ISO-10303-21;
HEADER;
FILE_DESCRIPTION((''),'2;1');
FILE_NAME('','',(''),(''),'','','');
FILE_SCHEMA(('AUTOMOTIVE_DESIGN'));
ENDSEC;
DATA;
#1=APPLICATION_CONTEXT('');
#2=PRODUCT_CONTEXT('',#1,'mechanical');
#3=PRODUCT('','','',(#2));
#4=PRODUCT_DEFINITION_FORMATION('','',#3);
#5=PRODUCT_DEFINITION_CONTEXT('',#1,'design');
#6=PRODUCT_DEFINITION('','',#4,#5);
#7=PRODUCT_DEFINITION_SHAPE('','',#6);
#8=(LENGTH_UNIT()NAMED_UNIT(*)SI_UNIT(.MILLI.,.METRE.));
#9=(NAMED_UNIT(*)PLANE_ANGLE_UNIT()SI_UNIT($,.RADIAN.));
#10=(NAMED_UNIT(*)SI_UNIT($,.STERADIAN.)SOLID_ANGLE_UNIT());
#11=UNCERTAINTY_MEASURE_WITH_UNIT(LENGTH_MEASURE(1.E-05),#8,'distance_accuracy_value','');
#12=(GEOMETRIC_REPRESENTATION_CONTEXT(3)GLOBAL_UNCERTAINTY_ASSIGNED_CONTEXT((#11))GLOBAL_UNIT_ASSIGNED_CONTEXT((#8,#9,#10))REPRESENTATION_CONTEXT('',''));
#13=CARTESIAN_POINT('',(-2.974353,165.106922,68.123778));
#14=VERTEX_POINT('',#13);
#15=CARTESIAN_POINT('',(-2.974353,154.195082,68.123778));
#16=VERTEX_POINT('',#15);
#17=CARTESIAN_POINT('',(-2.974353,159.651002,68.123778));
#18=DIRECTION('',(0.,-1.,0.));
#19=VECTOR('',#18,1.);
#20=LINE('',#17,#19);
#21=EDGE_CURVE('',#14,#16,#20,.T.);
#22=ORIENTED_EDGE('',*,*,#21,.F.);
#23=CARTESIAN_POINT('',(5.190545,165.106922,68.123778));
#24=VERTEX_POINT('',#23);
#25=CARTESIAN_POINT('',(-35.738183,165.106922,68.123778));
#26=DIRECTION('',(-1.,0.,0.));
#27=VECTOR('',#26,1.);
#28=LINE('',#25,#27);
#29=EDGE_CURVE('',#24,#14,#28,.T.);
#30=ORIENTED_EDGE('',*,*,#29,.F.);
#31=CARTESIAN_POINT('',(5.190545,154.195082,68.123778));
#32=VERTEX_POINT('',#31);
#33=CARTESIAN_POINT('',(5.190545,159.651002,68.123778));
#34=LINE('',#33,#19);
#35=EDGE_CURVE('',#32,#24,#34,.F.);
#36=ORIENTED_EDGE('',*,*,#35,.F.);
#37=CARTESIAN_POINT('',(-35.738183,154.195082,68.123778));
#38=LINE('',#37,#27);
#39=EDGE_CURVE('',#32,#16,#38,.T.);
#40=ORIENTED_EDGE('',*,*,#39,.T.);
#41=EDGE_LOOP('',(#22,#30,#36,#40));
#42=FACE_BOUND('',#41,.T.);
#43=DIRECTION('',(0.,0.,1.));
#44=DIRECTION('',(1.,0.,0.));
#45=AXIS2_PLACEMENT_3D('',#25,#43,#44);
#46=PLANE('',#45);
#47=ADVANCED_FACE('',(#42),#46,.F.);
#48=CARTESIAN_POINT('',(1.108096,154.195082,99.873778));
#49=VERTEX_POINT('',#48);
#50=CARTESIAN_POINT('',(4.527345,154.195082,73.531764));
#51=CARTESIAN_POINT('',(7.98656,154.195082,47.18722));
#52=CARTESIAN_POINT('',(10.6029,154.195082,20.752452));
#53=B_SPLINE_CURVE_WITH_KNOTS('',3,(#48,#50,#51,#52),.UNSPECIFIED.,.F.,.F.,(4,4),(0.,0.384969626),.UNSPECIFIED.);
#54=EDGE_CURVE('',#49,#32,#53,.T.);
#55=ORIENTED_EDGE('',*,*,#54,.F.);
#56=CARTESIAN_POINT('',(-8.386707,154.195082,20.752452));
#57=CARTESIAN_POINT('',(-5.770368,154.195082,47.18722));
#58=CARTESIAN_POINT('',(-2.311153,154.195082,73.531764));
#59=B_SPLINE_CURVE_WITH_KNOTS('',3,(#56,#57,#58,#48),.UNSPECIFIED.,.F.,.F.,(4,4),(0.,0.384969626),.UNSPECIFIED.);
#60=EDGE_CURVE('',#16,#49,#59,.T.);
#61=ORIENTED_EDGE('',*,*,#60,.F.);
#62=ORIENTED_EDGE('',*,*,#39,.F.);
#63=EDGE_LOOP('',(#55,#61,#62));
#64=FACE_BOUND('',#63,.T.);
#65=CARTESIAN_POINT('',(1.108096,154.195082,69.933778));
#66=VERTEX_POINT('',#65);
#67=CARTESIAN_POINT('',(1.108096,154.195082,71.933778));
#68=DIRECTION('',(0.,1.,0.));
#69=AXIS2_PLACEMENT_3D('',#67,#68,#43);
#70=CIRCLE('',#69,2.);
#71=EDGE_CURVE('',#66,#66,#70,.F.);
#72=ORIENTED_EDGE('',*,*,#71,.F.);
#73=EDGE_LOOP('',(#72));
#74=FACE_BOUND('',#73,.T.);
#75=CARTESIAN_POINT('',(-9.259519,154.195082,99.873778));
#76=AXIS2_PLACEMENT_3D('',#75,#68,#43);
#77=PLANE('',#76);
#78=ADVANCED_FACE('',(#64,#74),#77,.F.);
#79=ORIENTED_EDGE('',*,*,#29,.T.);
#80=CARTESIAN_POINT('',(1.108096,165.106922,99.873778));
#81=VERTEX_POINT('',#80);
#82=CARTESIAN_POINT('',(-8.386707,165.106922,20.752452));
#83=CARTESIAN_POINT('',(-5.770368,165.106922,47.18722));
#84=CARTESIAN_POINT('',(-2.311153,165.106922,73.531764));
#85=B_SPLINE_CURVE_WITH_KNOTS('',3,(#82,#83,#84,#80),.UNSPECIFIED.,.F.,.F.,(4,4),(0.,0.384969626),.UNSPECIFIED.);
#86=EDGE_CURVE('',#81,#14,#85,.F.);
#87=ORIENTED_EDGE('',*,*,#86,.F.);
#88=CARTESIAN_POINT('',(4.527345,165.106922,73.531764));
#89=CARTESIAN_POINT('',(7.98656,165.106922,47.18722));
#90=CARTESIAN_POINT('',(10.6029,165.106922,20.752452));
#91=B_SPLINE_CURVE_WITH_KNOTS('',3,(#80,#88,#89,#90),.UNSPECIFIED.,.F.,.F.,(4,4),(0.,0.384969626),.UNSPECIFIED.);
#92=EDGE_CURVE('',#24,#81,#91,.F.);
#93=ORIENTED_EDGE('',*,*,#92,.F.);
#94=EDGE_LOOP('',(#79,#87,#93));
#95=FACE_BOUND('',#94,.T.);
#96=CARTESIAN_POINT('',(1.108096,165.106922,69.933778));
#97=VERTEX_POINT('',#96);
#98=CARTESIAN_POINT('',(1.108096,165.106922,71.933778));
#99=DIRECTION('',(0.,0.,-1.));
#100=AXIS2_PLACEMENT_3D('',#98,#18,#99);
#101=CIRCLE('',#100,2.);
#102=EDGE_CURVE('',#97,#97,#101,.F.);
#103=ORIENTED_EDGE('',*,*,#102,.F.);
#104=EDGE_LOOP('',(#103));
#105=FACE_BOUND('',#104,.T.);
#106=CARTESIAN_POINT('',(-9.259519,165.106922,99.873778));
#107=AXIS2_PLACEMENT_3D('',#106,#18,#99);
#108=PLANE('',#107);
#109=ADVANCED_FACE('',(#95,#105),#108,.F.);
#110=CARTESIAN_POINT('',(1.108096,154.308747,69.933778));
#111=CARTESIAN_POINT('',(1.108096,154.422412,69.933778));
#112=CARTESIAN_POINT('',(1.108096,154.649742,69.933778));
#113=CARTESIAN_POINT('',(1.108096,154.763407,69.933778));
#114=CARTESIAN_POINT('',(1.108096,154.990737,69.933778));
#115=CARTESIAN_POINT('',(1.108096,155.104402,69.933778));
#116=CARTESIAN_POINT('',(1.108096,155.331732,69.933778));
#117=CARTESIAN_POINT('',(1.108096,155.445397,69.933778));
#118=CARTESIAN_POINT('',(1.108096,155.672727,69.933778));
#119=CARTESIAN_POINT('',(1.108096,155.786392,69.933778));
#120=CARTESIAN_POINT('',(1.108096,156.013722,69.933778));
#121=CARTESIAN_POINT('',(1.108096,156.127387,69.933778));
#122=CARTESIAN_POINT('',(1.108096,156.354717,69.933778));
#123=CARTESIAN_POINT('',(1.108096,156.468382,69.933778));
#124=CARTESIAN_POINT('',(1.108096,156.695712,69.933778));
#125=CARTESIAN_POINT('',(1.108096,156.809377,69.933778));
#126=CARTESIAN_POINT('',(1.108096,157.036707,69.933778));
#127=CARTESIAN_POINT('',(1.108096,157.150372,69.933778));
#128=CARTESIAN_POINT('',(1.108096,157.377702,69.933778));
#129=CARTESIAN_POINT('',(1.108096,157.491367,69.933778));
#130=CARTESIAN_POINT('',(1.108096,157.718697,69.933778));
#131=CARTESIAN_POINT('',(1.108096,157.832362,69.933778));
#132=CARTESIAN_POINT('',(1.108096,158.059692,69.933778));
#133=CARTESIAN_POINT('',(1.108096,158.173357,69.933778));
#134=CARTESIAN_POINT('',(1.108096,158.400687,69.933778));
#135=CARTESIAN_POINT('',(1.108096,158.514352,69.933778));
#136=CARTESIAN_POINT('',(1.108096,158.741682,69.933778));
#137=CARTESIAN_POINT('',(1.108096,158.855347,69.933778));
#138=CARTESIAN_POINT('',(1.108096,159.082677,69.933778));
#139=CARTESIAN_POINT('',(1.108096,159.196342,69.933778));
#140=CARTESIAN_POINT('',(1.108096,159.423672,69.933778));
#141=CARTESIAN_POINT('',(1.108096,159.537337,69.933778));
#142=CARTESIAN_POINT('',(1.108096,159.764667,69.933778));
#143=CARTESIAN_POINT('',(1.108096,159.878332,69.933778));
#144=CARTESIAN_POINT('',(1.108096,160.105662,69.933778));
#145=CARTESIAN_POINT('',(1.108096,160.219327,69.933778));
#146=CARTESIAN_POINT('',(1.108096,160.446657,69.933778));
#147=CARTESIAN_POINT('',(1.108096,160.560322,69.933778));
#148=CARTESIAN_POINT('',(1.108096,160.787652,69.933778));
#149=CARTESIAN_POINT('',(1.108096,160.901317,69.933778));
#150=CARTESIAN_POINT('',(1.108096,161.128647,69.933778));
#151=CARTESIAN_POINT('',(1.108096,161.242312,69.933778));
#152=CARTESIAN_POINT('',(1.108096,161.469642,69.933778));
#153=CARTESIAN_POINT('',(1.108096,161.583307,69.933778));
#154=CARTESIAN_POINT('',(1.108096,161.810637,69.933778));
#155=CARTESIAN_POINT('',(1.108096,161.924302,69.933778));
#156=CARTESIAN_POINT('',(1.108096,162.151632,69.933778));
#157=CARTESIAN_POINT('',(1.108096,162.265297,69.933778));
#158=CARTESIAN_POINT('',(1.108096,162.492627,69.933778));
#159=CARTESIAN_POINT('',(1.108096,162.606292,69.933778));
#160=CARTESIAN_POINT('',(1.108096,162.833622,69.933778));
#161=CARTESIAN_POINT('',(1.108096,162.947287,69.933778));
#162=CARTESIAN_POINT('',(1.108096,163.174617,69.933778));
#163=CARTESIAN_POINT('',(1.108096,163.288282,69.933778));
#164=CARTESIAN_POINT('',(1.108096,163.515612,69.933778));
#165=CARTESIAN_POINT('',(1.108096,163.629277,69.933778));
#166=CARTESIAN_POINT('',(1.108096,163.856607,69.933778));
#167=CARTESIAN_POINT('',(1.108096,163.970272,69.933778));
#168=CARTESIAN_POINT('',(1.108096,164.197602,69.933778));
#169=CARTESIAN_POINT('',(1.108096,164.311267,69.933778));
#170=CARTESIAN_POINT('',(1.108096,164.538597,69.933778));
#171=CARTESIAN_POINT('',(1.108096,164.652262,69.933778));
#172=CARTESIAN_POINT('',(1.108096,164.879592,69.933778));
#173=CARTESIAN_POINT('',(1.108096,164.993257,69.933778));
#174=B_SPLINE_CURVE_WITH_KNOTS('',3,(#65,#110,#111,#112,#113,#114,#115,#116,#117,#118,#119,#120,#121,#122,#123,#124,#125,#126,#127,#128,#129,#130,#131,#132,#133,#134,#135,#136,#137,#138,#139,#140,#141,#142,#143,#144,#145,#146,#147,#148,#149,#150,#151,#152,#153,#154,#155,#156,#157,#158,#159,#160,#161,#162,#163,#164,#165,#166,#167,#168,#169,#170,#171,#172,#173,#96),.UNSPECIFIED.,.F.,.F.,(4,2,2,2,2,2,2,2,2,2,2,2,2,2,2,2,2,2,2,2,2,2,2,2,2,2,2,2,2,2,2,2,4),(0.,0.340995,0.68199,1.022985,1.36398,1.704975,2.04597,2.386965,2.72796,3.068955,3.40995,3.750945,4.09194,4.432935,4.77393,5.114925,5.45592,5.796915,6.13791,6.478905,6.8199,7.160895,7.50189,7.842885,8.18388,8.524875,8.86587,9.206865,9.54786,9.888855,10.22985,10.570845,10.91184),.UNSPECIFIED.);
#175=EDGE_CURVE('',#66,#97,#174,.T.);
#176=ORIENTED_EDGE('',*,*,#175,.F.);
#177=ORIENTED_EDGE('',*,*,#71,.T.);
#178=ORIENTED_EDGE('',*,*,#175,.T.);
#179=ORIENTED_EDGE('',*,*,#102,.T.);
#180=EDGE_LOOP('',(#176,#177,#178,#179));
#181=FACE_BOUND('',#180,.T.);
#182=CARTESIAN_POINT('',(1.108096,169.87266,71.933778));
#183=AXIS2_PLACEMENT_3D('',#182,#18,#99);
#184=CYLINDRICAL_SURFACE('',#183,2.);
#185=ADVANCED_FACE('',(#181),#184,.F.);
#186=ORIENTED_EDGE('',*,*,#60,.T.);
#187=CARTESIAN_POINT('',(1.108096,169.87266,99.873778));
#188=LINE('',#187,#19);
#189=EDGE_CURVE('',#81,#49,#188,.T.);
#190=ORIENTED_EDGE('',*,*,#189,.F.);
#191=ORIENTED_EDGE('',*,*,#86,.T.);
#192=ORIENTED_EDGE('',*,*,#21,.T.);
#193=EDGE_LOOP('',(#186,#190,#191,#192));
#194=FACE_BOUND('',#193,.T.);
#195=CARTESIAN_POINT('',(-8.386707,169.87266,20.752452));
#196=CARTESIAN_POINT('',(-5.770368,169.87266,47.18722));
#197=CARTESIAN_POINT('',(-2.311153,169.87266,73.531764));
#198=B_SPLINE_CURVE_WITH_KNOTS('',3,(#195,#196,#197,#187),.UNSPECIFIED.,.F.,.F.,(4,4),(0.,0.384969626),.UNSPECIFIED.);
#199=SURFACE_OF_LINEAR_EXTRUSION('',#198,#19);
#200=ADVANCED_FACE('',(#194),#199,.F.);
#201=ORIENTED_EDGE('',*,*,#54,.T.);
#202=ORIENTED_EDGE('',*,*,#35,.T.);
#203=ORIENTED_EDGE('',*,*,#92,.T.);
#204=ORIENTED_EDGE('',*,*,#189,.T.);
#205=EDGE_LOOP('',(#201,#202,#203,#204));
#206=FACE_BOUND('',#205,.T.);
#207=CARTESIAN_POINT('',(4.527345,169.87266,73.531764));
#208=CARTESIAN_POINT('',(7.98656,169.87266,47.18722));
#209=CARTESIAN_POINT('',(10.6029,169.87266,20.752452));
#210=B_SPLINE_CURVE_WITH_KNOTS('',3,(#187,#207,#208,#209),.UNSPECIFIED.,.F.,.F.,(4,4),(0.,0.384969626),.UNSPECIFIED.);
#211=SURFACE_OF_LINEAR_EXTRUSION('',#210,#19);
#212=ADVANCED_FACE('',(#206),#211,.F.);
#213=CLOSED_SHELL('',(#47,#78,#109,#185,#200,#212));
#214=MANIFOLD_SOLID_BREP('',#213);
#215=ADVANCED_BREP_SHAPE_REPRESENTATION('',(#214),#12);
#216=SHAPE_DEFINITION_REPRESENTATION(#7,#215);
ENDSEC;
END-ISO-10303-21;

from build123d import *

# Parameters (mm, degrees)
SKETCH1_R               = 1.984375
BOSS_EXTRUDE1_DEPTH     = 169.87266
SKETCH2_W               = 35.763807095
SKETCH2_H               = 22.705005105
CUT_EXTRUDE1_DEPTH      = 23.05812
CUT_EXTRUDE2_START      = -169.87266
SKETCH2_2_W             = 35.763807095
SKETCH2_2_H             = 22.705005105
CUT_EXTRUDE2_DEPTH      = 23.05812
FILLET1_R               = 7.62
CUT_EXTRUDE3_DEPTH      = 198.390942599
CUT_EXTRUDE3_DEPTH_BACK = 198.390942599
SKETCH6_R               = 2
CUT_EXTRUDE4_DEPTH      = 198.390942599
CUT_EXTRUDE4_DEPTH_BACK = 198.390942599
SKETCH7_W               = 96.266326783
SKETCH7_H               = 154.195082356
SKETCH7_H_2             = 4.765737644
CUT_EXTRUDE5_DEPTH      = 101.887240685
CUT_EXTRUDE5_DEPTH_BACK = 101.887240685
SKETCH8_W               = 55.334278697
SKETCH8_H               = 41.811321678


with BuildPart() as part:
    # Sketch1 → Boss-Extrude1 (new body)
    with BuildSketch(Plane(origin=(0, 0, 0), x_dir=(1, 0, 0), z_dir=(0, 1, 0))):
        with BuildLine():
            Line((-9.955287346, -3.607451573), (-6.769721368, -3.607451573))
            Line((-6.769721368, -3.607451573), (8.985913589, -3.607451573))
            Line((8.985913589, -3.607451573), (12.171479568, -3.607451573))
            add(Edge.make_bspline(
                [(10.60289965, -20.752451573), (11.099968974, -15.730201571), (11.630563617, -10.016003166), (12.113997871, -4.296816952), (12.171479568, -3.607451573)],
                knots=[0.384969626, 0.384969626, 0.384969626, 0.384969626, 0.458108671, 0.468131593, 0.468131593, 0.468131593, 0.468131593], degree=3))
            add(Edge.make_bspline(
                [(1.108096111, -99.873778356), (4.527344744, -73.531764163), (7.9865599, -47.187219652), (10.60289965, -20.752451573)],
                knots=[0, 0, 0, 0, 0.384969626, 0.384969626, 0.384969626, 0.384969626], degree=3))
            add(Edge.make_bspline(
                [(1.108096111, -99.873778356), (-2.311152522, -73.531764163), (-5.770367679, -47.187219652), (-8.386707429, -20.752451573)],
                knots=[0, 0, 0, 0, 0.384969626, 0.384969626, 0.384969626, 0.384969626], degree=3))
            add(Edge.make_bspline(
                [(-8.386707429, -20.752451573), (-8.883776753, -15.730201571), (-9.414371396, -10.016003166), (-9.89780565, -4.296816952), (-9.955287346, -3.607451573)],
                knots=[0.384969626, 0.384969626, 0.384969626, 0.384969626, 0.458108671, 0.468131593, 0.468131593, 0.468131593, 0.468131593], degree=3))
        make_face()
        with Locations(Location((1.108108569, -11.326456678, 0), (0, 0, 270))):
            Circle(SKETCH1_R, mode=Mode.SUBTRACT)
    extrude(amount=BOSS_EXTRUDE1_DEPTH)

    # Sketch2 → Cut-Extrude1 (cut)
    with BuildSketch(Plane(origin=(0, 169.87266, 0), x_dir=(1, 0, 0), z_dir=(0, 1, 0))):
        with Locations((7.926616202, -14.959954125)):
            Rectangle(SKETCH2_W, SKETCH2_H)
    extrude(amount=-CUT_EXTRUDE1_DEPTH, mode=Mode.SUBTRACT)

    # Sketch2<2> → Cut-Extrude2 (cut)
    with BuildSketch(Plane(origin=(0, 169.87266, 0), x_dir=(1, 0, 0), z_dir=(0, 1, 0)).offset(CUT_EXTRUDE2_START)):
        with Locations((7.926616202, -14.959954125)):
            Rectangle(SKETCH2_2_W, SKETCH2_2_H)
    extrude(amount=CUT_EXTRUDE2_DEPTH, mode=Mode.SUBTRACT)

    # Fillet1
    fillet1_edges = [part.edges().sort_by_distance(p)[0] for p in [
        (-7.824155374, 11.52906, 26.312456678),
        (10.040347595, 11.52906, 26.312456678),
        (-9.955287346, 84.93633, 3.607451573),
        (12.171479568, 84.93633, 3.607451573),
        (-7.824155374, 158.3436, 26.312456678),
        (10.040347595, 158.3436, 26.312456678),
    ]]
    fillet(fillet1_edges, radius=FILLET1_R)

    # Sketch6 → Cut-Extrude3 (cut, two sides: drawn at the far end of the back side and taken through both)
    with BuildSketch(Plane.XZ.offset(-CUT_EXTRUDE3_DEPTH_BACK)):
        with Locations(Location((1.108096111, 71.933778356, 0), (0, 0, 270))):
            Circle(SKETCH6_R)
        with Locations(Location((1.108096111, 34.760552137, 0), (0, 0, 270))):
            Circle(SKETCH6_R)
    extrude(amount=CUT_EXTRUDE3_DEPTH + CUT_EXTRUDE3_DEPTH_BACK, mode=Mode.SUBTRACT)

    # Sketch7 → Cut-Extrude4 (cut, two sides: drawn at the far end of the back side and taken through both)
    with BuildSketch(Plane(origin=(0, 0, 0), x_dir=(0, 0, -1), z_dir=(1, 0, 0)).offset(-CUT_EXTRUDE4_DEPTH_BACK)):
        with Locations((-51.740614965, 77.097541178)):
            Rectangle(SKETCH7_W, SKETCH7_H)
        with Locations((-51.740614965, 167.489791178)):
            Rectangle(SKETCH7_W, SKETCH7_H_2)
    extrude(amount=CUT_EXTRUDE4_DEPTH + CUT_EXTRUDE4_DEPTH_BACK, mode=Mode.SUBTRACT)

    # Sketch8 → Cut-Extrude5 (cut, two sides: drawn at the far end of the back side and taken through both)
    with BuildSketch(Plane.XZ.offset(-154.195082356).offset(-CUT_EXTRUDE5_DEPTH_BACK)):
        with Locations((-8.071043379, 47.218117517)):
            Rectangle(SKETCH8_W, SKETCH8_H)
    extrude(amount=CUT_EXTRUDE5_DEPTH + CUT_EXTRUDE5_DEPTH_BACK, mode=Mode.SUBTRACT)


solid = part.part
